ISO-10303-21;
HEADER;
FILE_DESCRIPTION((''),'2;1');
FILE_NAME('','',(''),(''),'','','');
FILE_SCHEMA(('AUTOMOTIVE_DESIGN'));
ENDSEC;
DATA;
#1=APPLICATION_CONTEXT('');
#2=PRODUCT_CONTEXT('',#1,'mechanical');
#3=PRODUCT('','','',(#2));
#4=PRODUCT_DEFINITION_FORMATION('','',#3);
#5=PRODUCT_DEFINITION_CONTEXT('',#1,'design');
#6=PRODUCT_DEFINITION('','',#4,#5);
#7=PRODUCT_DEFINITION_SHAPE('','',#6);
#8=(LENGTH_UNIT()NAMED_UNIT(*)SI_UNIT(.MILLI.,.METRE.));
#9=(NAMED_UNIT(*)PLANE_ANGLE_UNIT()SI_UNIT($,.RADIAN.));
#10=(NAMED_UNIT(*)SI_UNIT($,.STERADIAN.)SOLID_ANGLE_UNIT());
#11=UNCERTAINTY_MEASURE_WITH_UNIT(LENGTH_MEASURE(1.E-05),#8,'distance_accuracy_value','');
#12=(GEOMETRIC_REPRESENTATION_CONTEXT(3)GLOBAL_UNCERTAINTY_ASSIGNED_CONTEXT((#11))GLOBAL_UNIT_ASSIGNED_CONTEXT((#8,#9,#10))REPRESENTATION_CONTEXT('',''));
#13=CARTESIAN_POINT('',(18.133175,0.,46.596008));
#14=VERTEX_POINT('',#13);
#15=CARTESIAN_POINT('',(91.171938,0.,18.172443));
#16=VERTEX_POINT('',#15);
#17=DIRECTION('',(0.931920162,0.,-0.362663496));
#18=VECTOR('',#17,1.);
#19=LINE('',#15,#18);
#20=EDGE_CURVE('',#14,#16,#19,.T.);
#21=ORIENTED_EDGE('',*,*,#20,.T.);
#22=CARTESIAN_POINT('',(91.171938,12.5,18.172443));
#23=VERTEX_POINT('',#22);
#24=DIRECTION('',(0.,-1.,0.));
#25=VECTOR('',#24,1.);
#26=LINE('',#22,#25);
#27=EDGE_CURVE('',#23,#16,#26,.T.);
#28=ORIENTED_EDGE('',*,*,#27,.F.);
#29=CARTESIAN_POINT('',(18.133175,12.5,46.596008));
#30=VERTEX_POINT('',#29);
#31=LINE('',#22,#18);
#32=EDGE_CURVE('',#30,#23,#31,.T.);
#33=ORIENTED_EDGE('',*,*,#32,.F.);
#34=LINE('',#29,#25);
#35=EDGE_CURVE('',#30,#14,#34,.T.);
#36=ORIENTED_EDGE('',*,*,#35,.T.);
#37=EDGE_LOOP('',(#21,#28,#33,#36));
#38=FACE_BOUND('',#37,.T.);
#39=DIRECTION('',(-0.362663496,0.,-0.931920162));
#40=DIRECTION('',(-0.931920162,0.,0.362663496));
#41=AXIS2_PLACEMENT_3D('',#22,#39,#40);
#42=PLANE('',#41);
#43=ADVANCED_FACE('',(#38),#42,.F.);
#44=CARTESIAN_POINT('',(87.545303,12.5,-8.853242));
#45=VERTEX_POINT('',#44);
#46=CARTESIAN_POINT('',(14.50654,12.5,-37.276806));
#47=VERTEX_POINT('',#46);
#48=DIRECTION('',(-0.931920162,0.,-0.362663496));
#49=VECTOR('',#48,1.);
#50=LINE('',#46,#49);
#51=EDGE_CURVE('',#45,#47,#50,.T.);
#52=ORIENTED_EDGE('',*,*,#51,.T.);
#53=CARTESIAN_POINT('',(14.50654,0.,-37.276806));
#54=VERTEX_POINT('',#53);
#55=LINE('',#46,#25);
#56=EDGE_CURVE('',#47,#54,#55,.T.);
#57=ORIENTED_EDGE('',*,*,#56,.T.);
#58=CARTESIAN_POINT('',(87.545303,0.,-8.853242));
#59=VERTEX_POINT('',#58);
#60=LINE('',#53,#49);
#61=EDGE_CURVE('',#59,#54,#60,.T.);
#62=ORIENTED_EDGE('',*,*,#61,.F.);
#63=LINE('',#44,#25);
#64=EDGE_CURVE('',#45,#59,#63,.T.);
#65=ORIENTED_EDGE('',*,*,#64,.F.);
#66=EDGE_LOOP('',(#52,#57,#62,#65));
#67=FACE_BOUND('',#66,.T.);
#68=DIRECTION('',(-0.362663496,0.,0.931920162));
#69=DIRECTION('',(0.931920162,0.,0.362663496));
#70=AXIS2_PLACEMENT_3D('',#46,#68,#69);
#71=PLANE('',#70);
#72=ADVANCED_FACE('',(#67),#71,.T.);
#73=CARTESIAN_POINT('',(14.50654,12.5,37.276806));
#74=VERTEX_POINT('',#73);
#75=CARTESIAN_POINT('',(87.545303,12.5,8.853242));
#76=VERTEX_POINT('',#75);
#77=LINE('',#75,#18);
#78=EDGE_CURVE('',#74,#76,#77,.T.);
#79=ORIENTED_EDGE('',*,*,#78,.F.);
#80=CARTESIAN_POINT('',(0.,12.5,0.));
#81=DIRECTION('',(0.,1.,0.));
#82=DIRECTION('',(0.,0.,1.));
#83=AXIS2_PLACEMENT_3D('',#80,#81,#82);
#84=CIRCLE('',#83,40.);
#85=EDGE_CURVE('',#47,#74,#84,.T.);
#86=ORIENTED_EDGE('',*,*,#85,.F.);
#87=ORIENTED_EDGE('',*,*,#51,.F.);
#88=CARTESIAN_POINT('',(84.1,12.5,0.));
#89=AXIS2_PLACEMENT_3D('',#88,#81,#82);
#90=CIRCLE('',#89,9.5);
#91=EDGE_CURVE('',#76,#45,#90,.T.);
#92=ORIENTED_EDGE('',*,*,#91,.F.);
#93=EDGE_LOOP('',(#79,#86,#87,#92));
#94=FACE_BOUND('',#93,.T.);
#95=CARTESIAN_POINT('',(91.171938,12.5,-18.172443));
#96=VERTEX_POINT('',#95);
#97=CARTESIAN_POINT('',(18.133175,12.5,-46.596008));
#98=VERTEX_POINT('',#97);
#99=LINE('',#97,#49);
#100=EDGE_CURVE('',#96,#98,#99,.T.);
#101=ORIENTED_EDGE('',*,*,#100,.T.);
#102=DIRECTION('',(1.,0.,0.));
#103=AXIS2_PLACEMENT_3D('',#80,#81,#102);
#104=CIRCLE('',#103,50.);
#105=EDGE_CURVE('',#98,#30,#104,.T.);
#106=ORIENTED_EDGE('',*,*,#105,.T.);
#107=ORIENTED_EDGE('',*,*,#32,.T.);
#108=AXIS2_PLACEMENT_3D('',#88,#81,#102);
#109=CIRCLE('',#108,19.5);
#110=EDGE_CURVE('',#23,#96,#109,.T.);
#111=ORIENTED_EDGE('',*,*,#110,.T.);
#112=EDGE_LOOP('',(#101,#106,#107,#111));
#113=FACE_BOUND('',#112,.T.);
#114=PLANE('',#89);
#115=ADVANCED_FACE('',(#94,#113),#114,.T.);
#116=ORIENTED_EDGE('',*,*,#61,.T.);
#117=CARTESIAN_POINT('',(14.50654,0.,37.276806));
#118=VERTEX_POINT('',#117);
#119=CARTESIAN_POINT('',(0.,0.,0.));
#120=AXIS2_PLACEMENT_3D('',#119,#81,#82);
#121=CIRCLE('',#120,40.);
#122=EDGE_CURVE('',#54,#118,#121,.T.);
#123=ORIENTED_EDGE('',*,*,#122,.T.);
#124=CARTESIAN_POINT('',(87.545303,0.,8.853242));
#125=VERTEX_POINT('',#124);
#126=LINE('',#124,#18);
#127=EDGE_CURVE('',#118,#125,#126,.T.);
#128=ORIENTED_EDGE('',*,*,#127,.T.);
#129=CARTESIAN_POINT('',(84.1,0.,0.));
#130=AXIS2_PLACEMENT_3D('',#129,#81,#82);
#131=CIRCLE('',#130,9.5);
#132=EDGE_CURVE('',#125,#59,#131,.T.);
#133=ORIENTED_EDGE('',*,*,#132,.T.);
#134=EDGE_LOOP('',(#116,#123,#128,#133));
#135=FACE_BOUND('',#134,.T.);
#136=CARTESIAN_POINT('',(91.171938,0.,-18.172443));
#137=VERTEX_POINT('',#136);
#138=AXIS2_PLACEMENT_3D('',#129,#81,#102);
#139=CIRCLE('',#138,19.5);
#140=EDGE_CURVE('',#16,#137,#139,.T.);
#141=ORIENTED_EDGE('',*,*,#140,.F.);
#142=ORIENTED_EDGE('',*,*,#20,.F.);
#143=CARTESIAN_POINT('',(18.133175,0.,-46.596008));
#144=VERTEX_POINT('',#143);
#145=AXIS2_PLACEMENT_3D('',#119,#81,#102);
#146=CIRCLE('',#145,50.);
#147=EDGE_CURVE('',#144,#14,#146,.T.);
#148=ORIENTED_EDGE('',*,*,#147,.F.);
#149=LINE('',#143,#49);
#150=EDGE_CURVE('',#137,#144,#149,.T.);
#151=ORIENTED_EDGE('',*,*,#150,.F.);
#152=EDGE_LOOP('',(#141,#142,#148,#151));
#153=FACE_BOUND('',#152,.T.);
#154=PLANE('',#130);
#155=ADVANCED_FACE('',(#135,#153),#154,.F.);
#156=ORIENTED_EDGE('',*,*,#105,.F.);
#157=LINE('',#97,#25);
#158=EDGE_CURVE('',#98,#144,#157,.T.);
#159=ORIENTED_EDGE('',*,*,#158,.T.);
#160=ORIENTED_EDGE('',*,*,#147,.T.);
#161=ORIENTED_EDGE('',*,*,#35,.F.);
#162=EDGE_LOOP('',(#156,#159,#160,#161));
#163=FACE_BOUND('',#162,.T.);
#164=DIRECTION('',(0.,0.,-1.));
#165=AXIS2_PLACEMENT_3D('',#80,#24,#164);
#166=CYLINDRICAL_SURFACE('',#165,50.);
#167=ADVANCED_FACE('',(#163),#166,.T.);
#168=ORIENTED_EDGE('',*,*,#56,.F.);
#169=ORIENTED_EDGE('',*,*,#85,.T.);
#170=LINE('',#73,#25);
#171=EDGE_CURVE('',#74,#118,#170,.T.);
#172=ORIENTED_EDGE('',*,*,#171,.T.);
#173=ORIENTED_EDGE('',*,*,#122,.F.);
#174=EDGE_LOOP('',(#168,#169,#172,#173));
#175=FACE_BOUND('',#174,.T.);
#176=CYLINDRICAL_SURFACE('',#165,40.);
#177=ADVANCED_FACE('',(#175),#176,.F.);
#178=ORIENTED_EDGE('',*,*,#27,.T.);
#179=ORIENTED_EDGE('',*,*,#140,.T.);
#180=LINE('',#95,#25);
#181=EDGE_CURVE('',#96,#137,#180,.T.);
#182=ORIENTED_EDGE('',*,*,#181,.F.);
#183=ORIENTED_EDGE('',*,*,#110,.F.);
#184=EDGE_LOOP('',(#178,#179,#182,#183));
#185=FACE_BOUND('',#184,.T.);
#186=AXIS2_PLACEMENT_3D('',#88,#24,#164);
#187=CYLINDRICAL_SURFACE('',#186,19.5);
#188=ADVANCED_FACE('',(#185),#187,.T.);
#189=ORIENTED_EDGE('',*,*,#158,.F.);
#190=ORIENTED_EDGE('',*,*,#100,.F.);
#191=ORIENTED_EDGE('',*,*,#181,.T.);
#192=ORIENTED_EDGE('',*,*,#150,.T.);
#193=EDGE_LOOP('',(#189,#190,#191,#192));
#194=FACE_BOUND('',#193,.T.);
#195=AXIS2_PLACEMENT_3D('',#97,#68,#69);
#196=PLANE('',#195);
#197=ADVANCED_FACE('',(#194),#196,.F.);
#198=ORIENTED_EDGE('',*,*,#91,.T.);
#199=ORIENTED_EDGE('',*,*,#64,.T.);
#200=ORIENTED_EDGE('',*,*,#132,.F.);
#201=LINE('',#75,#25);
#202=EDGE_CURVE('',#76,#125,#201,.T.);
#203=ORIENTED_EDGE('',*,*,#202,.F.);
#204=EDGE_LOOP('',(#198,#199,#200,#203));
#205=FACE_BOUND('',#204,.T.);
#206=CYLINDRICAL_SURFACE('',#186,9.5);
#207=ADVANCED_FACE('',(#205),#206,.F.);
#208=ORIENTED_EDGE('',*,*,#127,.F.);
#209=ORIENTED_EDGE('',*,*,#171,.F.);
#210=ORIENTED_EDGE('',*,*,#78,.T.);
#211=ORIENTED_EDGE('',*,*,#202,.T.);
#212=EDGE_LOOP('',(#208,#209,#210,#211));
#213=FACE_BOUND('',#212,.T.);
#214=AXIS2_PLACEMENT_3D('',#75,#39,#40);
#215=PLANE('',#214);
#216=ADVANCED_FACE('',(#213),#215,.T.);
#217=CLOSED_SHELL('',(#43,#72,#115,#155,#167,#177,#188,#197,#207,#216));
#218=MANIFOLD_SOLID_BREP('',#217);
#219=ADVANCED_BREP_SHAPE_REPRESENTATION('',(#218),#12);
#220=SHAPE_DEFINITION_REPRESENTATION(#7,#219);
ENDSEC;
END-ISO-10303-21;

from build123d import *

# Parameters (mm, degrees)
EXTRUDE_THIN1_DEPTH = 12.5


with BuildPart() as part:
    # Sketch1 → Extrude-Thin1 (new body)
    with BuildSketch(Plane(origin=(0, 0, 0), x_dir=(1, 0, 0), z_dir=(0, 1, 0))):
        with BuildLine():
            Line((91.171938169, -18.172443164), (18.133174792, -46.596008112))
            ThreePointArc((18.133174792, -46.596008112), (-50, 0), (18.133174792, 46.596008112))
            Line((18.133174792, 46.596008112), (91.171938169, 18.172443164))
            ThreePointArc((91.171938169, 18.172443164), (103.6, 0), (91.171938169, -18.172443164))
        make_face()
        with BuildLine():
            Line((87.54530321, -8.853241541), (14.506539834, -37.27680649))
            ThreePointArc((14.506539834, -37.27680649), (-40, 0), (14.506539834, 37.27680649))
            Line((14.506539834, 37.27680649), (87.54530321, 8.853241541))
            ThreePointArc((87.54530321, 8.853241541), (93.6, 0), (87.54530321, -8.853241541))
        make_face(mode=Mode.SUBTRACT)
    extrude(amount=EXTRUDE_THIN1_DEPTH)


solid = part.part
